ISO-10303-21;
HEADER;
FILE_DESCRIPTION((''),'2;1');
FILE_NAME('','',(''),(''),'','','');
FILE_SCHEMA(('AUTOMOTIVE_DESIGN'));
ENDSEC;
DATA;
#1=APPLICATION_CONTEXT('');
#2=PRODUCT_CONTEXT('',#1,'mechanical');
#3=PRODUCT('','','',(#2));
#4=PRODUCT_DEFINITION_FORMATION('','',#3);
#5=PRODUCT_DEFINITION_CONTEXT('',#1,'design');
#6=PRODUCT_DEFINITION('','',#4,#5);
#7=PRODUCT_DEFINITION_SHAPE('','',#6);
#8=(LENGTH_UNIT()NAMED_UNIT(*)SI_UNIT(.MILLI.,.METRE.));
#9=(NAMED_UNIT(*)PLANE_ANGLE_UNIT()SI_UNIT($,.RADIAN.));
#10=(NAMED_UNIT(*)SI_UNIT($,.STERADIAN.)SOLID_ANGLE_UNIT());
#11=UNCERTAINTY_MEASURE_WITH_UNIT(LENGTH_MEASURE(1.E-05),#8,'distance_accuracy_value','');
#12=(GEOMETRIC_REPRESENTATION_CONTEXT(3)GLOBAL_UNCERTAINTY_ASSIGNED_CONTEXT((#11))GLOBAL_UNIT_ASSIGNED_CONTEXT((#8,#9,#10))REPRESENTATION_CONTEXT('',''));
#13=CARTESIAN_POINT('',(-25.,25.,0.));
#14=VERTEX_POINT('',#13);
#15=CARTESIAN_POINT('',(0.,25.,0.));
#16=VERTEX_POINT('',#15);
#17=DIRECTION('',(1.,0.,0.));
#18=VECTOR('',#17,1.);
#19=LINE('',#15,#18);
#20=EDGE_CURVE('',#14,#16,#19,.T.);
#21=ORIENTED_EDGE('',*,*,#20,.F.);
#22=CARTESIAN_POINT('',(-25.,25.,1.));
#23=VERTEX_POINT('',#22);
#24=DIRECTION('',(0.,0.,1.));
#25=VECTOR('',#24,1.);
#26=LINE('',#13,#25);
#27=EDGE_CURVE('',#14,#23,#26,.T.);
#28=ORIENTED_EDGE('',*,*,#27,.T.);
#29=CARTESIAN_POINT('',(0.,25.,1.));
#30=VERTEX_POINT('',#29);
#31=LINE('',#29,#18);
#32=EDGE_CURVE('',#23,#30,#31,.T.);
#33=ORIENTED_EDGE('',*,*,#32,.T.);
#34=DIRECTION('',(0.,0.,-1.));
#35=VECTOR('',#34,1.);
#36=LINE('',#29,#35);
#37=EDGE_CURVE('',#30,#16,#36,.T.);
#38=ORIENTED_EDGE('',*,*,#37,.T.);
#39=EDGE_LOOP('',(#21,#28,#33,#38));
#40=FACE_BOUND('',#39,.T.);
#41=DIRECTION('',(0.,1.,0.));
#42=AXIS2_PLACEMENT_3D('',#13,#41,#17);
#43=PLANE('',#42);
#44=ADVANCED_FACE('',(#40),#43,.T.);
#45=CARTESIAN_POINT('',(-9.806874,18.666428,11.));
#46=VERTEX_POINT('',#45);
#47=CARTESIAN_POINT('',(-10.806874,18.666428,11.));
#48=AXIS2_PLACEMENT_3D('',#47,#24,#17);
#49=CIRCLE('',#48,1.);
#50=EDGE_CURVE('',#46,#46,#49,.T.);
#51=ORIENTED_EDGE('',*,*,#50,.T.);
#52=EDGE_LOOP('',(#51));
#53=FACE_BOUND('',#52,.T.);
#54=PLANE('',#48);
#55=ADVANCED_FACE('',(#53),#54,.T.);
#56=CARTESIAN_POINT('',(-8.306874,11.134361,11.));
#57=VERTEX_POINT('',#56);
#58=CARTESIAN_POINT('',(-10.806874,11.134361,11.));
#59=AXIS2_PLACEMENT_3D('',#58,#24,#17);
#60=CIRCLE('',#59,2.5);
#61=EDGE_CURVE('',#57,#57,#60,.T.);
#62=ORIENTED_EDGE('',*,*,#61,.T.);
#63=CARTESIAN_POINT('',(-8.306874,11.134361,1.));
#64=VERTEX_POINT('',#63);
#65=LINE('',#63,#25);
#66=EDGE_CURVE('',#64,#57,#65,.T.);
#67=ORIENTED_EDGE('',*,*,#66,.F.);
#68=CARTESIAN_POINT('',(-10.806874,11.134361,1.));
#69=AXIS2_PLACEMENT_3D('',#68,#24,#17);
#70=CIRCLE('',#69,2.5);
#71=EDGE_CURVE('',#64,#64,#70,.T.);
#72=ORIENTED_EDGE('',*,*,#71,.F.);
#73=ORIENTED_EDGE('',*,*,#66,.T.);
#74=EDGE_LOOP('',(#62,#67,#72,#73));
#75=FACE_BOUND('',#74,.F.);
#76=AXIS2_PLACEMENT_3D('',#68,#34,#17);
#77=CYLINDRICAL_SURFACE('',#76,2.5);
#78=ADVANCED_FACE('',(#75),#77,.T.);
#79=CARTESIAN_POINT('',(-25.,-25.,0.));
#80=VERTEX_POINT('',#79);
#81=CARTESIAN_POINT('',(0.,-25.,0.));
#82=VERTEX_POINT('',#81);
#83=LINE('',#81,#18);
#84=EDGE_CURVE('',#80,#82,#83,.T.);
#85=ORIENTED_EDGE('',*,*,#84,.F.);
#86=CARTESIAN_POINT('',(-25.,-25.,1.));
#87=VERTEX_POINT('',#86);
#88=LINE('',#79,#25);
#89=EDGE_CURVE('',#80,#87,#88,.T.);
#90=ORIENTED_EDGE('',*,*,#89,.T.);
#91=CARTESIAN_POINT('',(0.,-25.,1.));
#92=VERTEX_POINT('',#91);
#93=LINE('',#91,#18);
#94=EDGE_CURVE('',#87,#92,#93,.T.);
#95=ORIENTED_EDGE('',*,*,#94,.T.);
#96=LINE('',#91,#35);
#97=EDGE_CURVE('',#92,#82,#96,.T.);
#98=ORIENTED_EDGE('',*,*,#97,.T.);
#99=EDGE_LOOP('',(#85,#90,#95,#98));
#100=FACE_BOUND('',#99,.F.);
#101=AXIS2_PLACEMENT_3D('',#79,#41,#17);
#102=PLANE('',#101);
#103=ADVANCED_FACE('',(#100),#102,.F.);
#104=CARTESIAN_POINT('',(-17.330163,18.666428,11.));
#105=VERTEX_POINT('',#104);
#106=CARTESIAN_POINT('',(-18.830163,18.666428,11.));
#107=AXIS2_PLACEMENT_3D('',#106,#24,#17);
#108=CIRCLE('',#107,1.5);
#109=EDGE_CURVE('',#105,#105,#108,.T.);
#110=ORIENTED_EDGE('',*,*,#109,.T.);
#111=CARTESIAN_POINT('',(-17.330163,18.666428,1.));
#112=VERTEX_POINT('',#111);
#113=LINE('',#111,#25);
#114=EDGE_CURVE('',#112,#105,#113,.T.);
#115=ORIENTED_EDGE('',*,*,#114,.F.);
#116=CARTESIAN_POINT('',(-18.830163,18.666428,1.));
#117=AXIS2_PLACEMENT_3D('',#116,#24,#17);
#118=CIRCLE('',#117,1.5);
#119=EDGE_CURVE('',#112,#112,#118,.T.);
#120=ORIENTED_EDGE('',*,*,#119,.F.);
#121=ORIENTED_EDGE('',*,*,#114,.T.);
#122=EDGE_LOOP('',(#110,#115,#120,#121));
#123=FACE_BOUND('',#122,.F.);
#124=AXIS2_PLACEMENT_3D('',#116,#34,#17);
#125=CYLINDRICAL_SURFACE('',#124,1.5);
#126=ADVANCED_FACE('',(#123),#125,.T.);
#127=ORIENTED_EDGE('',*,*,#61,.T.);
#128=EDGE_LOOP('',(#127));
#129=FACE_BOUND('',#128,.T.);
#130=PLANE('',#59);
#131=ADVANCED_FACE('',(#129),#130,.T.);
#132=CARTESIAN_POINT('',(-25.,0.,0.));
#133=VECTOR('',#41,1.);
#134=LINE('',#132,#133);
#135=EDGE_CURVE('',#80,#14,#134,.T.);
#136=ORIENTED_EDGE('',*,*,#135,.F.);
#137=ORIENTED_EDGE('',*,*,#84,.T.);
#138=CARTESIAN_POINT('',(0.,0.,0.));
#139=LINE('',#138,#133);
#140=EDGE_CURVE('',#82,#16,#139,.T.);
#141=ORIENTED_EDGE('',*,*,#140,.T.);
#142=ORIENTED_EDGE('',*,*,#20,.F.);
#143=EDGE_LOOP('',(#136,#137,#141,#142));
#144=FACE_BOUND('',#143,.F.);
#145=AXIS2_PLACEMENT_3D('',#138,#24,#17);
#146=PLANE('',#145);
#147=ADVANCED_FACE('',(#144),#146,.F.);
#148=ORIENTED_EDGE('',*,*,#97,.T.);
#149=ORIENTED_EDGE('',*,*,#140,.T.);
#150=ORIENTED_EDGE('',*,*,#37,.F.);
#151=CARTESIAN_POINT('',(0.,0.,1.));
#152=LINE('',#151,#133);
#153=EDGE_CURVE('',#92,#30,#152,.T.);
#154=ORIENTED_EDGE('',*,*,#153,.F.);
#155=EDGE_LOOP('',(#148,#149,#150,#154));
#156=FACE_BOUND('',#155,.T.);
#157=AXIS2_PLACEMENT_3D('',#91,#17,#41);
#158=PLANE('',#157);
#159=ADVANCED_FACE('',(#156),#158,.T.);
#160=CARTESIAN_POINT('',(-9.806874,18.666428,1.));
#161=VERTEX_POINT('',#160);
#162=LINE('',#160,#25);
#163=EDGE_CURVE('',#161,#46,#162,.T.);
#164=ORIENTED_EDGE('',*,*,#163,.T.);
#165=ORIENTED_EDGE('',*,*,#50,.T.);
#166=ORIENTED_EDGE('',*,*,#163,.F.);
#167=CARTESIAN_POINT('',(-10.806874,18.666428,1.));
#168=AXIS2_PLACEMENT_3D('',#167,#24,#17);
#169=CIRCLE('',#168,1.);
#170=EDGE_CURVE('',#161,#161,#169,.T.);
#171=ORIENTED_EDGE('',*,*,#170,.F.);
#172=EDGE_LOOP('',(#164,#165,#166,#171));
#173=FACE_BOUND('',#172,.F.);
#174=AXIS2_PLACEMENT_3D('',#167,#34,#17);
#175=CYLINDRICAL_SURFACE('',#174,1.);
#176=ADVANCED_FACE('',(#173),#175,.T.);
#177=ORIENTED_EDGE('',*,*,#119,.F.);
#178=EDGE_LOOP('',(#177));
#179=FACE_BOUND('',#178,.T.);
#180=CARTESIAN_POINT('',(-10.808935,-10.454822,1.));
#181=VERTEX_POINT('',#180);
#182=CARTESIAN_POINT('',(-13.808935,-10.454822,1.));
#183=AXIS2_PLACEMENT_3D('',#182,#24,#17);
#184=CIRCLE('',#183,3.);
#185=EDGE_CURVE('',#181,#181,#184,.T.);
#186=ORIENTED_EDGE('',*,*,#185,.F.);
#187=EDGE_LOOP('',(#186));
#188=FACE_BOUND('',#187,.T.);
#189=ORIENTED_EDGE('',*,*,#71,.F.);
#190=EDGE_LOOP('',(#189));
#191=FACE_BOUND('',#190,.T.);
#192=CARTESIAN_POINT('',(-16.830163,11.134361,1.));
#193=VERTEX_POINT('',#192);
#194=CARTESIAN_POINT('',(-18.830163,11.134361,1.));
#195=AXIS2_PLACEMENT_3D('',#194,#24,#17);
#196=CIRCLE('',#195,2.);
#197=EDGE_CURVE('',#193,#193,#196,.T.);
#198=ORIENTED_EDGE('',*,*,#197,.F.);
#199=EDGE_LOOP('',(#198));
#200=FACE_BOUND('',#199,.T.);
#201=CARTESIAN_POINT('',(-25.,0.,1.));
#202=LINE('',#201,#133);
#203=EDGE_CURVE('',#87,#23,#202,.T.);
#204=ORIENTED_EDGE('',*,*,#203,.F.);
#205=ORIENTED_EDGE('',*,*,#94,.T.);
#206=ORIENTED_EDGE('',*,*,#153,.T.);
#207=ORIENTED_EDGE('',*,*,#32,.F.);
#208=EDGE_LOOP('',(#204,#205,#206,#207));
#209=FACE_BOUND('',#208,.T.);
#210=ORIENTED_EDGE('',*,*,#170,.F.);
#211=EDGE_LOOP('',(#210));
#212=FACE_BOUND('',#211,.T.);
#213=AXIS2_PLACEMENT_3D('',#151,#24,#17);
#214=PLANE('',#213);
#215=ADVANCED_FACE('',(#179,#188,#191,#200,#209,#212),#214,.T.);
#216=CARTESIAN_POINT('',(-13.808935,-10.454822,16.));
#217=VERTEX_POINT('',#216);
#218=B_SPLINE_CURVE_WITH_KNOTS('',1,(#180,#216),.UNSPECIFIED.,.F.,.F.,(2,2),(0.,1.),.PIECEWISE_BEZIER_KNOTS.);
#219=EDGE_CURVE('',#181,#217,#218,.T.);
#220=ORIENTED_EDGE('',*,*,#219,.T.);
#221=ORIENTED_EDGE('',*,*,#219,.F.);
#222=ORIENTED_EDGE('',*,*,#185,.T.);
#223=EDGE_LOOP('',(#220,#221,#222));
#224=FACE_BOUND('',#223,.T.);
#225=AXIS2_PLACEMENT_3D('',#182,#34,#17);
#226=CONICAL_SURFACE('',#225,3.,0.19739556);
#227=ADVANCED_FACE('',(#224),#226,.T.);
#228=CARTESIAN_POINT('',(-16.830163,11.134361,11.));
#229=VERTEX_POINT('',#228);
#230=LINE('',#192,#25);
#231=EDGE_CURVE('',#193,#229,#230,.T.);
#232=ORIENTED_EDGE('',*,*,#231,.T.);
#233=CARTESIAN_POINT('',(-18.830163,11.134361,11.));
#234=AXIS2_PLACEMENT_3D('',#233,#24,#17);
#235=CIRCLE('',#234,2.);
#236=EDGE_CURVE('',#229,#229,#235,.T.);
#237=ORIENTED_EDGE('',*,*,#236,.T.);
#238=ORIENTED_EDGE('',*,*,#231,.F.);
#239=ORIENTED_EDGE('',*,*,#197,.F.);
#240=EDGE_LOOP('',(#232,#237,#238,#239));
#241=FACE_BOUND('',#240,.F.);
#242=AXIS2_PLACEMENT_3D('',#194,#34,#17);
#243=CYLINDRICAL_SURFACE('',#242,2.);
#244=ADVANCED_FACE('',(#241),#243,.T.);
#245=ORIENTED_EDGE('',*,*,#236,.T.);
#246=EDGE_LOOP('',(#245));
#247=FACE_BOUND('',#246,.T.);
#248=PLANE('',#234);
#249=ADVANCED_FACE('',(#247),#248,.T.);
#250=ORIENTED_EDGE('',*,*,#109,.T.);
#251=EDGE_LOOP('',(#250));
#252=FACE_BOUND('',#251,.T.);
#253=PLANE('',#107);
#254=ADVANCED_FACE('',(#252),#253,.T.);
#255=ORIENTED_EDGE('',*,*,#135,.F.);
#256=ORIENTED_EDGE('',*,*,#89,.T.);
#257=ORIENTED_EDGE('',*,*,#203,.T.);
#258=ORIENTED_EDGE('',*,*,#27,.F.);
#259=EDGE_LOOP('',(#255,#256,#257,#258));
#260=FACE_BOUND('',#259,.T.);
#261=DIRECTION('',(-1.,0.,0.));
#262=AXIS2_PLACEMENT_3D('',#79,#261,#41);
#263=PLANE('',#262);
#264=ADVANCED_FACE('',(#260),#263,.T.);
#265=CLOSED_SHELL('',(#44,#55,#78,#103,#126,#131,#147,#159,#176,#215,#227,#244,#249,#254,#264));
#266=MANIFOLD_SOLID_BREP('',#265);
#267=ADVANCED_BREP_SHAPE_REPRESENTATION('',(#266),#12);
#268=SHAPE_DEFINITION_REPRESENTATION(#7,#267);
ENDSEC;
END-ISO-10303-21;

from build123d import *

# Parameters (mm, degrees)
F0_W     = 50
F0_H     = 50
F1_DEPTH = 1
F2_R     = 1.5
F2_R_2   = 1
F2_R_3   = 2
F2_R_4   = 2.5
F3_DEPTH = 10
F4_R     = 3
F8_W     = 25
F8_H     = 50
F9_DEPTH = 1


with BuildPart() as f1:
    # F0 (on Top) → F1 (new body)
    with BuildSketch(Plane.XY):
        Rectangle(F0_W, F0_H)
    extrude(amount=F1_DEPTH)

    # F2 (on face) → F3 (join)
    with BuildSketch(Plane.XY.offset(1)):
        with Locations((-18.8301634043, 18.6664275825)):
            Circle(F2_R)
        with Locations((-10.8068743721, 18.6664275825)):
            Circle(F2_R_2)
        with Locations((-18.8301634043, 11.1343609169)):
            Circle(F2_R_3)
        with Locations((-10.8068743721, 11.1343609169)):
            Circle(F2_R_4)
    extrude(amount=F3_DEPTH)

    # F4 (on face) → F7 section 0
    with BuildSketch(Plane.XY.offset(1), mode=Mode.PRIVATE) as f7_s0:
        with Locations((-13.8089349493, -10.4548223317)):
            Circle(F4_R)
    loft([f7_s0.sketch, Vertex(-13.8089349493, -10.4548223317, 16)])

    # F8 (on face) → F9 (cut, through all)
    with BuildSketch(Plane.XY.offset(1)):
        with Locations((12.5, 0)):
            Rectangle(F8_W, F8_H)
    extrude(amount=-F9_DEPTH, mode=Mode.SUBTRACT)


solid = f1.part
